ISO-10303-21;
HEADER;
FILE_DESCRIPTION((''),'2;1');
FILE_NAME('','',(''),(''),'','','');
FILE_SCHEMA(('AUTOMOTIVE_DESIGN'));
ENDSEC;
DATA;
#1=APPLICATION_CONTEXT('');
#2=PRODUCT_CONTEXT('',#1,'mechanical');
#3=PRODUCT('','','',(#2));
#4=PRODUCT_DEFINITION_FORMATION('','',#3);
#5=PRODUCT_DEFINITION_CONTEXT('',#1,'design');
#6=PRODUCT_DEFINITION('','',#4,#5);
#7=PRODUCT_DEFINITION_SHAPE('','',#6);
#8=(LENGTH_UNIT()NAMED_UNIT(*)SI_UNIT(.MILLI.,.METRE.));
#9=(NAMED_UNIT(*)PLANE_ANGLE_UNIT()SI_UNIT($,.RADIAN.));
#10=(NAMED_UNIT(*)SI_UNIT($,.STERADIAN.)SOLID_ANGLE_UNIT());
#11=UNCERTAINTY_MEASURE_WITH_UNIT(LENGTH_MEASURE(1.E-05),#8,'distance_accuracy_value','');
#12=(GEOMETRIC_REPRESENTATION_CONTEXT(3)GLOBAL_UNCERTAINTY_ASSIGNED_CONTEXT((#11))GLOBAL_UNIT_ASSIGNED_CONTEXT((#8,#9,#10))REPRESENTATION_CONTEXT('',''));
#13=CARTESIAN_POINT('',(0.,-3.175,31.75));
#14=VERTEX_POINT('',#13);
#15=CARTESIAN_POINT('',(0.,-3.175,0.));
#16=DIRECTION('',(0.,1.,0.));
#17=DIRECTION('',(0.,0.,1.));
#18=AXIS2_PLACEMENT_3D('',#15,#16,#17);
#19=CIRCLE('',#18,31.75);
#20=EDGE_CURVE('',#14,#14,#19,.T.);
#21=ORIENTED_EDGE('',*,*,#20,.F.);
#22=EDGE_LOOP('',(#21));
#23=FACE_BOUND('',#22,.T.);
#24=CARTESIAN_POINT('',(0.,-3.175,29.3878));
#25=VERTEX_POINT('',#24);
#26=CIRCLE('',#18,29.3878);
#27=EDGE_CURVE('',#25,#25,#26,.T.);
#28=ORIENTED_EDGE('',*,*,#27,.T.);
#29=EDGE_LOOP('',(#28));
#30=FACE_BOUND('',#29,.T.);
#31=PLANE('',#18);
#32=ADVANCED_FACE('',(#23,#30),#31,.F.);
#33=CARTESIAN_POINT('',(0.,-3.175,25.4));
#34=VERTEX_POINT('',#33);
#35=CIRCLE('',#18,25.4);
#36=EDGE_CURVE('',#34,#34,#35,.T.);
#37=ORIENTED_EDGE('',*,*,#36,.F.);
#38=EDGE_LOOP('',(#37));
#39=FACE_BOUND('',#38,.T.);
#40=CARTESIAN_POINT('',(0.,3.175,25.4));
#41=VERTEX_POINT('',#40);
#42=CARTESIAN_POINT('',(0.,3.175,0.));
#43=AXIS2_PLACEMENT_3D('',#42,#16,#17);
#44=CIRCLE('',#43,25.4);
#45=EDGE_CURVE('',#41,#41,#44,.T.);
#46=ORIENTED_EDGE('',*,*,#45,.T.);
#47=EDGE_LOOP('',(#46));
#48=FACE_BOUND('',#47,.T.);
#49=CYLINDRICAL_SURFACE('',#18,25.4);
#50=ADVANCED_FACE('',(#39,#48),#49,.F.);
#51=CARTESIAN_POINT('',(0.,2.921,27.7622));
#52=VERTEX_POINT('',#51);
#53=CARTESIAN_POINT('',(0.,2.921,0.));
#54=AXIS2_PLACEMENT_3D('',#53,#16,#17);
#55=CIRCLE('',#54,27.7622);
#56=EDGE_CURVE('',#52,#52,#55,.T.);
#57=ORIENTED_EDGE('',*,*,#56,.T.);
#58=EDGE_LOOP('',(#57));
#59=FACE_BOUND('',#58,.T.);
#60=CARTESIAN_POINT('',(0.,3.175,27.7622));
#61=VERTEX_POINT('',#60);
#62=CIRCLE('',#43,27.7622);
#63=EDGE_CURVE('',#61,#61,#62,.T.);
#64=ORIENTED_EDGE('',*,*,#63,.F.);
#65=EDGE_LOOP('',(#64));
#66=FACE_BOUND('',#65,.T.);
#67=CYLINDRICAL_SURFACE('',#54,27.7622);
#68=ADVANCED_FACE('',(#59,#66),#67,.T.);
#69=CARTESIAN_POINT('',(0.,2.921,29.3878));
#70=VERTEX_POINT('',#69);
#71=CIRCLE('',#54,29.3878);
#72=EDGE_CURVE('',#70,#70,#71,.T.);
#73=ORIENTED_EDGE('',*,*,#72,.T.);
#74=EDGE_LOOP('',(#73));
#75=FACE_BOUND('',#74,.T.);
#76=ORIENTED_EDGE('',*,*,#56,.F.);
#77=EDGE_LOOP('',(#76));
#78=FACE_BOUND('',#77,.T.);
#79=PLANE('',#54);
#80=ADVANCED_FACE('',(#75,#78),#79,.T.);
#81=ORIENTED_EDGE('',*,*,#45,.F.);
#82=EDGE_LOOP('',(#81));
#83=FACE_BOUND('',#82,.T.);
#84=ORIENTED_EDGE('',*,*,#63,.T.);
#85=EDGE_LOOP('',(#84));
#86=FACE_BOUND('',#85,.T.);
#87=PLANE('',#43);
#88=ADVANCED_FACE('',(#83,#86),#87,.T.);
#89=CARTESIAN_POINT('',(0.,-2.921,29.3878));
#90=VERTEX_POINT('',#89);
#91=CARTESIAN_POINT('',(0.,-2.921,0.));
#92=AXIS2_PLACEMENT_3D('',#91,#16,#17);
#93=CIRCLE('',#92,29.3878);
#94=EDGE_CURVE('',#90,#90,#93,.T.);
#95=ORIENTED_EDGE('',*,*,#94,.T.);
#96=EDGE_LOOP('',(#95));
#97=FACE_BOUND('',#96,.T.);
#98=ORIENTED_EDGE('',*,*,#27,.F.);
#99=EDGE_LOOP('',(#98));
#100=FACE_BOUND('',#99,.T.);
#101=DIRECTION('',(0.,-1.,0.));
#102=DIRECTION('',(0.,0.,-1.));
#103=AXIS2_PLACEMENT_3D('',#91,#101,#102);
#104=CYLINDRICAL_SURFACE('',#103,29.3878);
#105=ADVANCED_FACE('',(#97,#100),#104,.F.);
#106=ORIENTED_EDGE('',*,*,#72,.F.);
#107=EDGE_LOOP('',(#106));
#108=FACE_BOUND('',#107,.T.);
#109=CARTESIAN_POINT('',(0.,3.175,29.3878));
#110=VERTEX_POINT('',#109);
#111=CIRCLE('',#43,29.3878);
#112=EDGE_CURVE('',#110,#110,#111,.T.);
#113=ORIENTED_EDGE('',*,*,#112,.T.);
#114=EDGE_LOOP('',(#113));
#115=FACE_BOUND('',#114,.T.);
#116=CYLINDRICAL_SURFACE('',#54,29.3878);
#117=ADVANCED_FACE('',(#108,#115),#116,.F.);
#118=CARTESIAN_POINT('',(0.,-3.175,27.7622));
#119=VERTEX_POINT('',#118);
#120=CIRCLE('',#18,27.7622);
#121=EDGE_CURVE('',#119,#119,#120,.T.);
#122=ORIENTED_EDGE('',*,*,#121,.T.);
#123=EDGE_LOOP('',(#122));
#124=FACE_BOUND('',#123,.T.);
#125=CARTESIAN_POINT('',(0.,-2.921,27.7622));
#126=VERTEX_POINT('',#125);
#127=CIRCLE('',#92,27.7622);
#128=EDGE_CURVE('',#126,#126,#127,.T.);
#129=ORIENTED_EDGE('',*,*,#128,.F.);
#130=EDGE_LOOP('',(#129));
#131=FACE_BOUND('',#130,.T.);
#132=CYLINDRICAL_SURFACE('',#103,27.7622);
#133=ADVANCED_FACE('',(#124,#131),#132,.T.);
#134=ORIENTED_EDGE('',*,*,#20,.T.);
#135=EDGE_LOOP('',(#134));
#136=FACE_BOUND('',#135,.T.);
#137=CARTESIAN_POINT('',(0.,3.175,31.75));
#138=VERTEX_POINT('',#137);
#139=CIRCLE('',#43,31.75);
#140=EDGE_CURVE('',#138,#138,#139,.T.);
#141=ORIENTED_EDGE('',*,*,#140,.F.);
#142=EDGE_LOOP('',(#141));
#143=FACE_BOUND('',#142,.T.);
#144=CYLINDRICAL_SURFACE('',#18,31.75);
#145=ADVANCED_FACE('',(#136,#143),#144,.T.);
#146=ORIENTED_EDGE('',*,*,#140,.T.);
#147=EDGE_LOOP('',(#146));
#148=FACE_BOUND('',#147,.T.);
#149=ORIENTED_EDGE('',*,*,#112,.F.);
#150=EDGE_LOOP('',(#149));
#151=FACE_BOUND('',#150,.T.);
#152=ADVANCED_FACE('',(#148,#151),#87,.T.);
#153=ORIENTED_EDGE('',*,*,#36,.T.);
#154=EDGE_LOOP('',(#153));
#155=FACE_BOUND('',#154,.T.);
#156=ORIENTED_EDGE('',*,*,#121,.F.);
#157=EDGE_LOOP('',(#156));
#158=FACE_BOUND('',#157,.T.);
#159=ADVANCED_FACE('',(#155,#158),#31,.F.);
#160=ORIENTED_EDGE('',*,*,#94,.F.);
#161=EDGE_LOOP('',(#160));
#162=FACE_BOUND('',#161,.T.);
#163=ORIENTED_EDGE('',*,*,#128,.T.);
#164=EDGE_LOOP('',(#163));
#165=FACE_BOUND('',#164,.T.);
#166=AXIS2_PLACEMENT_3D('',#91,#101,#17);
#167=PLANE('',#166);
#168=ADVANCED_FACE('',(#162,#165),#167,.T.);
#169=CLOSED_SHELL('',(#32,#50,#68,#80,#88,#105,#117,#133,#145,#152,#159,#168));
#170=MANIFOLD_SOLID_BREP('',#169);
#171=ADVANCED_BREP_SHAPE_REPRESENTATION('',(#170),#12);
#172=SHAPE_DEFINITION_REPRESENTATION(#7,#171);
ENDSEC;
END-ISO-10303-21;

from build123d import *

# Parameters (mm, degrees)
EXTRUDE_1_DEPTH      = 3.175
EXTRUDE_1_DEPTH_BACK = 3.175
SKETCH_1_R           = 31.75
SKETCH_1_R_2         = 25.4
SKETCH_2_R           = 29.3878
SKETCH_2_R_2         = 27.7622
CUT_EXTRUDE_1_DEPTH  = 0.254


with BuildPart() as part:
    # ｽｹｯﾁ1 → ﾎﾞｽ - 押し出し1 (new, two sides: drawn at the far end of the back side and taken through both)
    with BuildSketch(Plane(origin=(0, 0, 0), x_dir=(1, 0, 0), z_dir=(0, 1, 0)).offset(-EXTRUDE_1_DEPTH_BACK)):
        Circle(SKETCH_1_R)
        Circle(SKETCH_1_R_2, mode=Mode.SUBTRACT)
    extrude(amount=EXTRUDE_1_DEPTH + EXTRUDE_1_DEPTH_BACK)

    # ｽｹｯﾁ2 → ｶｯﾄ - 押し出し1 (cut)
    with BuildSketch(Plane(origin=(0, 3.175, 0), x_dir=(1, 0, 0), z_dir=(0, 1, 0))):
        Circle(SKETCH_2_R)
        Circle(SKETCH_2_R_2, mode=Mode.SUBTRACT)
    cut_extrude_1 = extrude(amount=-CUT_EXTRUDE_1_DEPTH, mode=Mode.SUBTRACT)

    # ﾐﾗｰ1: ｶｯﾄ - 押し出し1 across plane
    add(cut_extrude_1.mirror(Plane.ZX), mode=Mode.SUBTRACT)


solid = part.part
